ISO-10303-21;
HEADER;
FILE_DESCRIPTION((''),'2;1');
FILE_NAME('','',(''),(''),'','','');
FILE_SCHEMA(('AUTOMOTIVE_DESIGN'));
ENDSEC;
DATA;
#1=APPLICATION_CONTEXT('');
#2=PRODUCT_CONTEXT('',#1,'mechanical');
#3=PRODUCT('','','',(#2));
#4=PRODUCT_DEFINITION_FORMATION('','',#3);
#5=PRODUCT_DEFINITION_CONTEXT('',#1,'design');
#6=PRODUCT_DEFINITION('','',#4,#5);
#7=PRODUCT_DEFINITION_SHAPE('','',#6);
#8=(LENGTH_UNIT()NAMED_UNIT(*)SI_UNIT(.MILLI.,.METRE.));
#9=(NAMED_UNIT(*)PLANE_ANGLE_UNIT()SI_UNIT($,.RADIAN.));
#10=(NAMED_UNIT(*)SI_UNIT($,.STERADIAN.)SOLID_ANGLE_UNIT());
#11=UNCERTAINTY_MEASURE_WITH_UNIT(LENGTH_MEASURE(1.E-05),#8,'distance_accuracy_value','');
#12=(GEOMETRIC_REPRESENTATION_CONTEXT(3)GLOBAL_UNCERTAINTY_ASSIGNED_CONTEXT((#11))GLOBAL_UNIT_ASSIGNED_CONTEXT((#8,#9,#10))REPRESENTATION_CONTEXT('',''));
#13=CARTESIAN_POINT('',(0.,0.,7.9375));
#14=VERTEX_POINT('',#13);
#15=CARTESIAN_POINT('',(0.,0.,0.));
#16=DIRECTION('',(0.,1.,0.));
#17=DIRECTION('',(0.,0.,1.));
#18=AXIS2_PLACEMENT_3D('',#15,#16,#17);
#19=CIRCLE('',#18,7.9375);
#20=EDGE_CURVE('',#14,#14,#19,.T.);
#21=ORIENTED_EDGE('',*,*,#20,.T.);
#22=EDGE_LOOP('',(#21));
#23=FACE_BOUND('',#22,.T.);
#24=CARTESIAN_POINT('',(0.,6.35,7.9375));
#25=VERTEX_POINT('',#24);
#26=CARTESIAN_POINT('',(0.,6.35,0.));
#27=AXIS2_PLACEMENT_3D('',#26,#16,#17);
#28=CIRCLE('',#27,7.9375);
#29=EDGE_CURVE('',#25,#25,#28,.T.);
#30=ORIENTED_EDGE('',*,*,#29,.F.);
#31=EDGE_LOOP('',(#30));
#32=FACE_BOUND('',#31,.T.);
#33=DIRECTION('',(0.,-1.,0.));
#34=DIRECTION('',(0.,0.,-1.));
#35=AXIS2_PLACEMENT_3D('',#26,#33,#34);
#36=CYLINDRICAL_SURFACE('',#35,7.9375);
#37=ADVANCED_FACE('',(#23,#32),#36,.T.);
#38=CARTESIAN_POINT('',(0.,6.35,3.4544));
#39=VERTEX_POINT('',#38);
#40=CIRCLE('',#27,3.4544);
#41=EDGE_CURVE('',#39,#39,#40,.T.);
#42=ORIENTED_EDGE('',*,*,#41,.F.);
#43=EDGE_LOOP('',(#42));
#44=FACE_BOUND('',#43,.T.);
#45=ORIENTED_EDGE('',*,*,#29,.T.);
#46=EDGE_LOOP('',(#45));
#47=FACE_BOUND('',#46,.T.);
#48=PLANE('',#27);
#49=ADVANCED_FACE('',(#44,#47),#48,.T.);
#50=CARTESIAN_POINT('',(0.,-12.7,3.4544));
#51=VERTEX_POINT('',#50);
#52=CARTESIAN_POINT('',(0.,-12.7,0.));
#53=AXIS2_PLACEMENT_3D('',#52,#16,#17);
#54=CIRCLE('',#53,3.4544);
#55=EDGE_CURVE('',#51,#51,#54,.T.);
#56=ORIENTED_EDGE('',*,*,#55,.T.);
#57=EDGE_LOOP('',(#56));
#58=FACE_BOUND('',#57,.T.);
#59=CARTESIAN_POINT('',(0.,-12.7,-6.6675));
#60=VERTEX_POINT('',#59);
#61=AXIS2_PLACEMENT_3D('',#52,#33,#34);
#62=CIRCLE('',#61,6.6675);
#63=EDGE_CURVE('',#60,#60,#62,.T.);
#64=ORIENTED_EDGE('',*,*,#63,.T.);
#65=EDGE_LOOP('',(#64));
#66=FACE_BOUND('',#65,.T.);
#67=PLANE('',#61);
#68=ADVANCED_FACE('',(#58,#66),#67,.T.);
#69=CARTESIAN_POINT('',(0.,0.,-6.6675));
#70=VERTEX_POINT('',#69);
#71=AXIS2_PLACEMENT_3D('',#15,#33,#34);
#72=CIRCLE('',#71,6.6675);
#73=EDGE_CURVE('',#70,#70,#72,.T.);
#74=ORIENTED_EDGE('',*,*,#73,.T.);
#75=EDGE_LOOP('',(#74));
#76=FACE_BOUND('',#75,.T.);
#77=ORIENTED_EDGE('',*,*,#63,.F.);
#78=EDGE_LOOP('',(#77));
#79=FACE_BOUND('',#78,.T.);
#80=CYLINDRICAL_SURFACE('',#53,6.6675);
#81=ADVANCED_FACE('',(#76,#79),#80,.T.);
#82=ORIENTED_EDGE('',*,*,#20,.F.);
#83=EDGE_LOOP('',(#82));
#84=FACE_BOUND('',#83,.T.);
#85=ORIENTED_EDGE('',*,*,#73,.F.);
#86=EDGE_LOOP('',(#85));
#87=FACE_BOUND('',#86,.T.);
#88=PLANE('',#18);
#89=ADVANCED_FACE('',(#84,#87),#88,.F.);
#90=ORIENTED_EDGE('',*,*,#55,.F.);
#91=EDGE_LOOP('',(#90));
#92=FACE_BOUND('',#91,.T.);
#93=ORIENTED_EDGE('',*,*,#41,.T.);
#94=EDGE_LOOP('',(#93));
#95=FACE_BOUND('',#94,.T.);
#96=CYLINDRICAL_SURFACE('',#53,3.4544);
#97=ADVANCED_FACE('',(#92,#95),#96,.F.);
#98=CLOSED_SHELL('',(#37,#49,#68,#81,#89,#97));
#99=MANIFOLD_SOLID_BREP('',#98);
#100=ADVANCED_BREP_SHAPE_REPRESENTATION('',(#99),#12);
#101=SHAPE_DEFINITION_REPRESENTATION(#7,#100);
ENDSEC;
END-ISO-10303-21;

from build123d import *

# Parameters (mm, degrees)
SKETCH1_R               = 7.9375
BOSS_EXTRUDE1_DEPTH     = 6.35
SKETCH2_R               = 6.6675
BOSS_EXTRUDE2_DEPTH     = 12.7
CUT_EXTRUDE1_DEPTH      = 23.11131639
CUT_EXTRUDE1_DEPTH_BACK = 23.11131639
SKETCH5_R               = 3.4544


with BuildPart() as part:
    # Sketch1 → Boss-Extrude1 (new body)
    with BuildSketch(Plane(origin=(0, 0, 0), x_dir=(1, 0, 0), z_dir=(0, 1, 0))):
        with Locations(Location((0, 0, 0), (0, 0, 270))):
            Circle(SKETCH1_R)
    extrude(amount=BOSS_EXTRUDE1_DEPTH)

    # Sketch2 → Boss-Extrude2 (add)
    with BuildSketch(Plane.XZ):
        with Locations(Location((0, 0, 0), (0, 0, 270))):
            Circle(SKETCH2_R)
    extrude(amount=BOSS_EXTRUDE2_DEPTH)

    # Sketch5 → Cut-Extrude1 (cut, two sides: drawn at the far end of the back side and taken through both)
    with BuildSketch(Plane(origin=(0, 6.35, 0), x_dir=(1, 0, 0), z_dir=(0, 1, 0)).offset(-CUT_EXTRUDE1_DEPTH_BACK)):
        with Locations(Location((0, 0, 0), (0, 0, 270))):
            Circle(SKETCH5_R)
    extrude(amount=CUT_EXTRUDE1_DEPTH + CUT_EXTRUDE1_DEPTH_BACK, mode=Mode.SUBTRACT)


solid = part.part
